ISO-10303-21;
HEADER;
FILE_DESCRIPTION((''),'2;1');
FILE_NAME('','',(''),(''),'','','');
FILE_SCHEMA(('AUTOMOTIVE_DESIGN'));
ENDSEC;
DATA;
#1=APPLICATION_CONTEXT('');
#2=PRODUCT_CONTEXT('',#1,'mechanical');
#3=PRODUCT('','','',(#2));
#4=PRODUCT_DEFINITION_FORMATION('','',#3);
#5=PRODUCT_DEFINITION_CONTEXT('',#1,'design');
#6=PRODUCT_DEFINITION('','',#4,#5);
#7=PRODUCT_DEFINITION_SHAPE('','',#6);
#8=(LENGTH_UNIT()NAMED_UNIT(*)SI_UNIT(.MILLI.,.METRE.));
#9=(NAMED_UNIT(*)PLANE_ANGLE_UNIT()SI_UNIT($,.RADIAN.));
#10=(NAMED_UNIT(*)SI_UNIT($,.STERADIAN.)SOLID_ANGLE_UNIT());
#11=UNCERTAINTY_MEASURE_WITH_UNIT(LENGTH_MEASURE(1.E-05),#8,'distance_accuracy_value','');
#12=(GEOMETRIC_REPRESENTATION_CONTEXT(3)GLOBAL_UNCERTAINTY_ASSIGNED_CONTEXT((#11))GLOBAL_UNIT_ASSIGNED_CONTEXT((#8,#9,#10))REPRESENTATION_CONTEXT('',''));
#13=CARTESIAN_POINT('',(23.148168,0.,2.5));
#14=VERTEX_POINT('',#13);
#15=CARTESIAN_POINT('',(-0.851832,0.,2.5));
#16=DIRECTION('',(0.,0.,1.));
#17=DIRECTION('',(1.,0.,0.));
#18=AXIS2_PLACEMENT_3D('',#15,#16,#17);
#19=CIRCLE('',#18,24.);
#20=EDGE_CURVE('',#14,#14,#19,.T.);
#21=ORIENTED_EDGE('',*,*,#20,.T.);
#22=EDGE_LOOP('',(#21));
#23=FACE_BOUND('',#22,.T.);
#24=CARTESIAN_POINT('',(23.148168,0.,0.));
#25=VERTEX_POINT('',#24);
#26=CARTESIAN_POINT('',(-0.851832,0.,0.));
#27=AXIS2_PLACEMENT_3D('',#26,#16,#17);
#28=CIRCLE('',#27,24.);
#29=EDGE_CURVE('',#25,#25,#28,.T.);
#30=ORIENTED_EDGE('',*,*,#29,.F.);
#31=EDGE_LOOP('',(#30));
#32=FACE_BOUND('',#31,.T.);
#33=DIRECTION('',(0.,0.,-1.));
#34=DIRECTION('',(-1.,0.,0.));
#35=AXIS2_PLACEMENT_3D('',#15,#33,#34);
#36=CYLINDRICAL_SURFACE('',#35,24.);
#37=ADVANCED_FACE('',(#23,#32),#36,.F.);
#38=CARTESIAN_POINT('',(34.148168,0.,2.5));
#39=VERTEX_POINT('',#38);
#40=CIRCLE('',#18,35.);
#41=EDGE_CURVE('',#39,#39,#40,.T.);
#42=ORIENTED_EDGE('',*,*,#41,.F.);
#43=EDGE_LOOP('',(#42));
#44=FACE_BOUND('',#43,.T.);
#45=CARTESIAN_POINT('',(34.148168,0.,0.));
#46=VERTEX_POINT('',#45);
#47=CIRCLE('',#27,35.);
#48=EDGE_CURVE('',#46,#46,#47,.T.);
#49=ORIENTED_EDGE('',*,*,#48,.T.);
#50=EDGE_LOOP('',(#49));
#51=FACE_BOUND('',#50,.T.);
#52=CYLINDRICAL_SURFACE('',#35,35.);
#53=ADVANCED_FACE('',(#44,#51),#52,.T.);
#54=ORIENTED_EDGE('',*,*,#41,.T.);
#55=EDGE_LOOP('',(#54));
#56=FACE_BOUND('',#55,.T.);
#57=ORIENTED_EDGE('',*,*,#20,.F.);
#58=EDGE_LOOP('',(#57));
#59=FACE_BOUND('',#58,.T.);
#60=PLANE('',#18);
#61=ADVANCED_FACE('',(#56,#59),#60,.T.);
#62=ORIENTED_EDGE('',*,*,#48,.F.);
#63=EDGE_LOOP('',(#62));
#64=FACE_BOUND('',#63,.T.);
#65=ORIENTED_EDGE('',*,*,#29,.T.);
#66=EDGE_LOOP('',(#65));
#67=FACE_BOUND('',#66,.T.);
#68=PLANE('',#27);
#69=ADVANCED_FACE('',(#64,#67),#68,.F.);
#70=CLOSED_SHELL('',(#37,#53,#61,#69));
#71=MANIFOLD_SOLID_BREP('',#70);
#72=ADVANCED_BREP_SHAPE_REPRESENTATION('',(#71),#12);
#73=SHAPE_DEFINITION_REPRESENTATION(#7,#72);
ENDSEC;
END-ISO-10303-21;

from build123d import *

# Parameters (mm, degrees)
ESQUISSE1_R        = 35
ESQUISSE1_R_2      = 24
BOSS_EXTRU_1_DEPTH = 2.5


with BuildPart() as part:
    # Esquisse1 → Boss.-Extru.1 (new body)
    with BuildSketch(Plane.XY):
        with Locations((-0.851831778, 0)):
            Circle(ESQUISSE1_R)
        with Locations((-0.851831778, 0)):
            Circle(ESQUISSE1_R_2, mode=Mode.SUBTRACT)
    extrude(amount=BOSS_EXTRU_1_DEPTH)


solid = part.part
